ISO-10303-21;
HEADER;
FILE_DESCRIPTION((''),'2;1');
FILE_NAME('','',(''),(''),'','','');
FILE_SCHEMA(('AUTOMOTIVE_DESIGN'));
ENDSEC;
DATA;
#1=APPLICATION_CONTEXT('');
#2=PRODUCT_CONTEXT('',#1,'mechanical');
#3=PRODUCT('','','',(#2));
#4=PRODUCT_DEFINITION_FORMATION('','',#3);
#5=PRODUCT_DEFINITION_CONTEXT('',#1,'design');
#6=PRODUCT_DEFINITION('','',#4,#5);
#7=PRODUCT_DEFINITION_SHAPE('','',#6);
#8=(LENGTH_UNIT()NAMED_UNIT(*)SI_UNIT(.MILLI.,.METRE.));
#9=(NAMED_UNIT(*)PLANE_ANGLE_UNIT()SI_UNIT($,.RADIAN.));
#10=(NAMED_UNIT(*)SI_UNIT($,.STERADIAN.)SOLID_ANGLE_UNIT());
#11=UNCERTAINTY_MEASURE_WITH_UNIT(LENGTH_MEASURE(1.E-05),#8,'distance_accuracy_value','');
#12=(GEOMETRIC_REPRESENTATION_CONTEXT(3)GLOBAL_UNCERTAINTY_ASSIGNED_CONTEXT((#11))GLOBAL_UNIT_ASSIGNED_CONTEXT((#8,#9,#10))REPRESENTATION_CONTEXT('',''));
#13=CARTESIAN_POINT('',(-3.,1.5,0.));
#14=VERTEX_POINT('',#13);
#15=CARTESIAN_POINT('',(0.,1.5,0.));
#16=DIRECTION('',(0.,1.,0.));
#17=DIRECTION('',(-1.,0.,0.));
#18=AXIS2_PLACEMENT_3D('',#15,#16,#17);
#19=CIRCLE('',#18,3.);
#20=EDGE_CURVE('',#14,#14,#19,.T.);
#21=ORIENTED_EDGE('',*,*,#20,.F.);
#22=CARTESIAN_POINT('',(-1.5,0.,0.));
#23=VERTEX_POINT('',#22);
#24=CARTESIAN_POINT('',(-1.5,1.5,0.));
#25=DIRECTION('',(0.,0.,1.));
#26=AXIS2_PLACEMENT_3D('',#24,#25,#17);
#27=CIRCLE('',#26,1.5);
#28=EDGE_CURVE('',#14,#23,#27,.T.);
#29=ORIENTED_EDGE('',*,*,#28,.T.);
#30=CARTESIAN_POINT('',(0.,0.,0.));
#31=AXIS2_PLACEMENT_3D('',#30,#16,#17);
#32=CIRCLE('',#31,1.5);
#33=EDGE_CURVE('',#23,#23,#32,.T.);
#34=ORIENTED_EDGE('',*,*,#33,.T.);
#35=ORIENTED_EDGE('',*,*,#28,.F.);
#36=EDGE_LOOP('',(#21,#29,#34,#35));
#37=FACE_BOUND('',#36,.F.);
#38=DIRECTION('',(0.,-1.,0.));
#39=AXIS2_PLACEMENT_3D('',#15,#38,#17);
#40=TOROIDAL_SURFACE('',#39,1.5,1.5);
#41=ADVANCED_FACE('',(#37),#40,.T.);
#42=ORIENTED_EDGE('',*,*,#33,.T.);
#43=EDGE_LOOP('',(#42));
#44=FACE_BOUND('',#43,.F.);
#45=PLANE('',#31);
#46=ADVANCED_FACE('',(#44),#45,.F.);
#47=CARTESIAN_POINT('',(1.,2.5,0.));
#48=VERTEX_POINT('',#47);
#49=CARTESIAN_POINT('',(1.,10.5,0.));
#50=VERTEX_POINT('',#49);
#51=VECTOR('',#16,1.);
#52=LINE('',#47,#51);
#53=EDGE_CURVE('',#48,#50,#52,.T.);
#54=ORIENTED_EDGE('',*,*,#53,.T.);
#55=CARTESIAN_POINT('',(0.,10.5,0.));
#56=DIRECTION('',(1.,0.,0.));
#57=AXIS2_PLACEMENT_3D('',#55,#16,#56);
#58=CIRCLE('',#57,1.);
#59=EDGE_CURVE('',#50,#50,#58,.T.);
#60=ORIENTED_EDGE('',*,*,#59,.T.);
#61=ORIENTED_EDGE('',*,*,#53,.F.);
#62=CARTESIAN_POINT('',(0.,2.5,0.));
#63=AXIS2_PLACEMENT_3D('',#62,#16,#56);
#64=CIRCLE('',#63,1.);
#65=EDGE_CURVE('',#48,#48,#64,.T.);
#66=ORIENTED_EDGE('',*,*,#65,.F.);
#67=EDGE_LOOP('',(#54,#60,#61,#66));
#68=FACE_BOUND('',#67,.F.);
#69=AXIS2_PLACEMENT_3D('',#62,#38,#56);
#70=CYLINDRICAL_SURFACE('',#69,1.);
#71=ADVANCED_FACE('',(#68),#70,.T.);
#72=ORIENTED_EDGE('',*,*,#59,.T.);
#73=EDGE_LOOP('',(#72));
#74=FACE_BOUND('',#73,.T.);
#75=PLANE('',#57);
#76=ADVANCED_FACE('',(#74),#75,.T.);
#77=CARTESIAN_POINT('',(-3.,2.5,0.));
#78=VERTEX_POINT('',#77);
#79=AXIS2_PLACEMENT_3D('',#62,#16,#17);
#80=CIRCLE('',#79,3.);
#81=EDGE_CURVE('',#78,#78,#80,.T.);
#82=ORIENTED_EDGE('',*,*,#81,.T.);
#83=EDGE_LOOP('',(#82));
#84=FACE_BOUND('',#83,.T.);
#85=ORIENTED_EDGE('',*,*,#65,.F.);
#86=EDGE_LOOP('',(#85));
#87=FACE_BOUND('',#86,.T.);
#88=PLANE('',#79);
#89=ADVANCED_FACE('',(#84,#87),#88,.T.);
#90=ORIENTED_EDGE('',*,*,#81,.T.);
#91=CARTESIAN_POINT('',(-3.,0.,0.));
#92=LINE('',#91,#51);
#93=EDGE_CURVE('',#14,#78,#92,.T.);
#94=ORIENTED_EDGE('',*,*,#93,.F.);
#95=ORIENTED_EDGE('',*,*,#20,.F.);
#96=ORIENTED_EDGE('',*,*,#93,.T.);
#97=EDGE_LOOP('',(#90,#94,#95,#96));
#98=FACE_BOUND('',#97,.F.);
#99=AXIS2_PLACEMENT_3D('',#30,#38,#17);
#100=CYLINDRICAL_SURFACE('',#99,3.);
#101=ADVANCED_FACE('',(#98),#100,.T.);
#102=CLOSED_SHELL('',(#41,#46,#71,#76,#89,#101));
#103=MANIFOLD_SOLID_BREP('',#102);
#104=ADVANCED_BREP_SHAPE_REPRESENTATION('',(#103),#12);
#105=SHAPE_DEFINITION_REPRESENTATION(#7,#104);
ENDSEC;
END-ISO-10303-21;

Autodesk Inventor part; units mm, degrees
ref_plane "YZ Plane" through (0, 0, 0) normal (1, 0, 0) x (0, 1, 0)
ref_plane "XZ Plane" through (0, 0, 0) normal (0, 1, 0) x (-1, 0, 0)
ref_plane "XY Plane" through (0, 0, 0) normal (0, 0, 1) x (1, 0, 0)
sketch "Skizze1" plane through (0, 0, 0) normal (0, 1, 0) x (-1, 0, 0)
  circle A0 centre (0, 0) radius 3
  dimension "d0" = 6
extrude "Extrusion1" add sketch "Skizze1" along normal blind 2.5
sketch "Skizze2" plane through (0, 2.5, 0) normal (0, 1, 0) x (1, 0, 0)
  circle A0 centre (0, 0) radius 1
  dimension "d3" = 2
extrude "Extrusion2" add sketch "Skizze2" along normal blind 8
fillet "Rundung1" radius 1.5 1 edges at (3, 0, 0)
properties part number "bolt_pleuel" material "Kupfer"
